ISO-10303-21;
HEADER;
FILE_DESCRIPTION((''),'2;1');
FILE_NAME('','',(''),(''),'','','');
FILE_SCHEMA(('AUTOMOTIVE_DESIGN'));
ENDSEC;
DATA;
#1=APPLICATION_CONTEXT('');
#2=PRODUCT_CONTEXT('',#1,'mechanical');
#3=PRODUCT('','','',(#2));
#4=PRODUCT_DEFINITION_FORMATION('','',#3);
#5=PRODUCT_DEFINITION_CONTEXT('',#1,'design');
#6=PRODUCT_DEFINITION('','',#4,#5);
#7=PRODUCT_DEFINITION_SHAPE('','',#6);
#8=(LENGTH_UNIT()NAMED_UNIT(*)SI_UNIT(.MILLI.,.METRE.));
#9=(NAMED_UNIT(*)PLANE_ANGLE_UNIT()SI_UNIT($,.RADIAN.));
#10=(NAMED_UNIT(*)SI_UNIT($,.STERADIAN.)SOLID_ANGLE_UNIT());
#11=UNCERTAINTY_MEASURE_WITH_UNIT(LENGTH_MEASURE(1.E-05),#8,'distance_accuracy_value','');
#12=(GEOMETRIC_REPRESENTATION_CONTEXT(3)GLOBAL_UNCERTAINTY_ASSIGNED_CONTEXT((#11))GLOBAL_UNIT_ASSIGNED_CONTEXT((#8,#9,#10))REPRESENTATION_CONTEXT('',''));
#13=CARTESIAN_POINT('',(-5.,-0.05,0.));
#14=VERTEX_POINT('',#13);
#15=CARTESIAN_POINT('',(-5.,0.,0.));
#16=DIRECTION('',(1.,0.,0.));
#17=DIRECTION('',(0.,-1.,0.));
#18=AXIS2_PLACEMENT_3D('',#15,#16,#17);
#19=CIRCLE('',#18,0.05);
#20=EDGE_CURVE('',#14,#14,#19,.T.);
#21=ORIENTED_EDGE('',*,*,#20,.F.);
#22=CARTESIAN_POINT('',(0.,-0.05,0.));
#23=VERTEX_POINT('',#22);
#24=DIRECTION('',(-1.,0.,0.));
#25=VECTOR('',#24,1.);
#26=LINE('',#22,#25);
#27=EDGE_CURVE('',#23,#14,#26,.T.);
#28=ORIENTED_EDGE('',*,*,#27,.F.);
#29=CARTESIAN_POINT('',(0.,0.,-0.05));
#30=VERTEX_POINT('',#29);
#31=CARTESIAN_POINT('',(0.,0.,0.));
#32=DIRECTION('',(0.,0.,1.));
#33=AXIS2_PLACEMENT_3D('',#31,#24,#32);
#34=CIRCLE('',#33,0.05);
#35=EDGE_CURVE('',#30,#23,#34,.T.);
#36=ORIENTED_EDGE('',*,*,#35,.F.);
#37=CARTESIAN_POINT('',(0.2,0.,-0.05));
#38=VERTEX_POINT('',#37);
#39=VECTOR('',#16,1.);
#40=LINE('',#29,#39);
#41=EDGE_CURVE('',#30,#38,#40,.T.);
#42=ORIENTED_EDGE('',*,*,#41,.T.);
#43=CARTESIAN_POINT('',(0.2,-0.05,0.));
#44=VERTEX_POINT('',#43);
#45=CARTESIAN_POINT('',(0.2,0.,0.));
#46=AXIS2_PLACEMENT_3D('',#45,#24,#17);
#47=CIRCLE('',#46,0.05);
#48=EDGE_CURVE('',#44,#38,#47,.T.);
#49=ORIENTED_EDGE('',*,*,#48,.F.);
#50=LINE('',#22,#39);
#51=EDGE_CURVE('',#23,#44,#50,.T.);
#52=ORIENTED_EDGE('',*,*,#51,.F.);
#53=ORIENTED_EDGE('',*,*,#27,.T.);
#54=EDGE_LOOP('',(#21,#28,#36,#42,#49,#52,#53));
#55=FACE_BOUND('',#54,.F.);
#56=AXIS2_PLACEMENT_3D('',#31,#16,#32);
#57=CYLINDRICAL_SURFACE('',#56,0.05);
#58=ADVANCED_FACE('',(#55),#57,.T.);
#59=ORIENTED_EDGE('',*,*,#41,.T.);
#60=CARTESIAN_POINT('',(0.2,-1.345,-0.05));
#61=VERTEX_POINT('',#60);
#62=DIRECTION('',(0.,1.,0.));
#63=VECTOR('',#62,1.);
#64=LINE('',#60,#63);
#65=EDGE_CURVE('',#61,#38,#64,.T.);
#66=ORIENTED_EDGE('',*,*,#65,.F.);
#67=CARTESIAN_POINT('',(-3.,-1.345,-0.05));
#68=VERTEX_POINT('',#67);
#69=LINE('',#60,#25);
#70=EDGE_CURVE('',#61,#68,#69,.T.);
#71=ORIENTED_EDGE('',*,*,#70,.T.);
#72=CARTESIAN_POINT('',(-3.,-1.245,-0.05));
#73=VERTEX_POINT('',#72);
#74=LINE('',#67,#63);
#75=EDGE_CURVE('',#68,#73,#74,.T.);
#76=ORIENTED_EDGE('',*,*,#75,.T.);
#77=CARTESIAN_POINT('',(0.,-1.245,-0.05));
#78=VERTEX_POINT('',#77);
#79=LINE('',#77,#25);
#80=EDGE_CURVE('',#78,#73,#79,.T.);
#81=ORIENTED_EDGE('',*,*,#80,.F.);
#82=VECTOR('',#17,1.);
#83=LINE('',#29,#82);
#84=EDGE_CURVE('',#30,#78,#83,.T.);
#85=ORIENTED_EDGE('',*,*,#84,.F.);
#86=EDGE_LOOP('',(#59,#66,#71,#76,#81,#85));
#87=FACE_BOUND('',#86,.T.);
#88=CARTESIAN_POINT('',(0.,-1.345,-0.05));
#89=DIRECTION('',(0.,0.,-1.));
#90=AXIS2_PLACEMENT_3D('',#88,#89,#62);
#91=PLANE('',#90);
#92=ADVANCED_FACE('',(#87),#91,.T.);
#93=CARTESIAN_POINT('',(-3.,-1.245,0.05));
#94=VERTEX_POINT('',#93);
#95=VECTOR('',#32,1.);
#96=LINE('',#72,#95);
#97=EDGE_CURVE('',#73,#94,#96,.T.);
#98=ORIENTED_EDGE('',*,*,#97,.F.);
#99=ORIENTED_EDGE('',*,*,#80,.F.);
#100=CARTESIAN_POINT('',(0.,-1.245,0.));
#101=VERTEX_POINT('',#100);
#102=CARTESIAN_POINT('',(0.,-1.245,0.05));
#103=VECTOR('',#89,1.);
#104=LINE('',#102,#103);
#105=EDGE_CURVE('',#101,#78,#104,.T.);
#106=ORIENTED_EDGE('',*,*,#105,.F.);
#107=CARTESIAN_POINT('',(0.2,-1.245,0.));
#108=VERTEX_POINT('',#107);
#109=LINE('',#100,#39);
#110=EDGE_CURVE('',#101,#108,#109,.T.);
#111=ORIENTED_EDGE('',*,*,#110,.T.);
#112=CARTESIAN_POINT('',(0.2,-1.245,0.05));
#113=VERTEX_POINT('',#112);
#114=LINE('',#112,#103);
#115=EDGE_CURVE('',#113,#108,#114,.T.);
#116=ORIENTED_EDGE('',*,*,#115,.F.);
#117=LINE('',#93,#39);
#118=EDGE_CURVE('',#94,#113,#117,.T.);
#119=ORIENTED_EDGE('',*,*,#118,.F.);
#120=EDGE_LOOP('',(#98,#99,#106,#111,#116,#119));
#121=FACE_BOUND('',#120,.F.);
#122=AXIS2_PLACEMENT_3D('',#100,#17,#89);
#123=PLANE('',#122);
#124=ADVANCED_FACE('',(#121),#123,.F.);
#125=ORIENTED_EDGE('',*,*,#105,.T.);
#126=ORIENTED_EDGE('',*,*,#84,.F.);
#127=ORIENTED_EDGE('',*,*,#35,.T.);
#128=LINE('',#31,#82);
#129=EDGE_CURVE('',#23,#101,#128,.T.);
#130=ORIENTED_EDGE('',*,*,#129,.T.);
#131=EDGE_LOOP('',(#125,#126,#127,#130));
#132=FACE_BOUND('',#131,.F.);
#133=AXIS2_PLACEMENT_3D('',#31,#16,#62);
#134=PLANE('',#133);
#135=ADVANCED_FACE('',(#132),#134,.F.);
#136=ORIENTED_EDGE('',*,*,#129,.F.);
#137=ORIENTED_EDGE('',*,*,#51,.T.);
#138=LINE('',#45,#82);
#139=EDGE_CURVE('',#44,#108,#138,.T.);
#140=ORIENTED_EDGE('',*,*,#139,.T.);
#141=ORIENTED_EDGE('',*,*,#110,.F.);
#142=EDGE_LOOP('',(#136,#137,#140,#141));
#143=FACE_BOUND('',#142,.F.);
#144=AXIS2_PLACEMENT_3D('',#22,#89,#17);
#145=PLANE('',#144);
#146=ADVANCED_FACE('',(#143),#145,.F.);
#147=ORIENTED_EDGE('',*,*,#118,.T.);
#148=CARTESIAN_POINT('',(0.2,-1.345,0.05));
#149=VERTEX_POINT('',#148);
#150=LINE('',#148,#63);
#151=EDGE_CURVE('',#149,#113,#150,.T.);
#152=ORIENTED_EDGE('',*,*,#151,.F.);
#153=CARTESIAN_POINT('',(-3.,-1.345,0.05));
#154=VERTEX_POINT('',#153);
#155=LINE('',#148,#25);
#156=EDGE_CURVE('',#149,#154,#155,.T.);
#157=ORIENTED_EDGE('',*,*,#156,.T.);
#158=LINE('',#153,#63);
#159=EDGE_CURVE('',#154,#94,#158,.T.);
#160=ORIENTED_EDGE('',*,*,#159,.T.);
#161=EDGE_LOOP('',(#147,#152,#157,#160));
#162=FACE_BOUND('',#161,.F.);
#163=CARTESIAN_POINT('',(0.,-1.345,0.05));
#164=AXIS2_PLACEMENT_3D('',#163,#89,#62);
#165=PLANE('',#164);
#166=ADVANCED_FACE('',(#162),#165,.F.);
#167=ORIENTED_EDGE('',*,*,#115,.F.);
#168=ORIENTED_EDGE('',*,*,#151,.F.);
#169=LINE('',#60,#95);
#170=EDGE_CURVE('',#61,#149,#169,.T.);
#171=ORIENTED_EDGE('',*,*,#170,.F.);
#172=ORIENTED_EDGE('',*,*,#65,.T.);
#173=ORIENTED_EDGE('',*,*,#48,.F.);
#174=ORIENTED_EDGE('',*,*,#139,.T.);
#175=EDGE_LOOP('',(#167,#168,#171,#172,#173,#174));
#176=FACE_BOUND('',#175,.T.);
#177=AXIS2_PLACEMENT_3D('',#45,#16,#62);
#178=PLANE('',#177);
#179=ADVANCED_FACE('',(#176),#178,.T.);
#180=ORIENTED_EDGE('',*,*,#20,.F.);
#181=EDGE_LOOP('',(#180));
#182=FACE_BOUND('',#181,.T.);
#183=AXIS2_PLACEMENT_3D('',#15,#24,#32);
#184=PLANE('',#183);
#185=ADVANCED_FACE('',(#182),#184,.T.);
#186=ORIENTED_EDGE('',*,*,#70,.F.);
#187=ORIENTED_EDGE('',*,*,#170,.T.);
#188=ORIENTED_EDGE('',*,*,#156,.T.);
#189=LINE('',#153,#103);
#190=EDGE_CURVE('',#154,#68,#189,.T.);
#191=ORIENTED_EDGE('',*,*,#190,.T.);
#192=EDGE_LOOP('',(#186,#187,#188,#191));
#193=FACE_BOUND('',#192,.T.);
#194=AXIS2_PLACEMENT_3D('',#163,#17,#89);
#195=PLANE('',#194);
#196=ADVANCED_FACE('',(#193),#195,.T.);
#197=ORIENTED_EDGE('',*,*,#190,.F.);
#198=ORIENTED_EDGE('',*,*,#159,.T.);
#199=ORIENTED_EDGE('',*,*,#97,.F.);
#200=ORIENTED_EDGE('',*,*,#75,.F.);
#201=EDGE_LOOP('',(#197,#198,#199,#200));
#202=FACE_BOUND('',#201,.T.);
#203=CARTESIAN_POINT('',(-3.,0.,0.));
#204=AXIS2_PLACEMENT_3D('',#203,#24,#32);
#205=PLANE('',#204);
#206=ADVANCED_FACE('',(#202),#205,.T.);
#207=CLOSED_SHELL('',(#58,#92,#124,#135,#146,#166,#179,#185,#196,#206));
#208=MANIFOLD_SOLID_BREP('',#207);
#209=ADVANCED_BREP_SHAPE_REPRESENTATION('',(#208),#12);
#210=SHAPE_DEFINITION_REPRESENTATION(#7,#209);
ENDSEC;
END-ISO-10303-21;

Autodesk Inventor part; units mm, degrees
ref_plane "YZ Plane" through (0, 0, 0) normal (1, 0, 0) x (0, 1, 0)
ref_plane "XZ Plane" through (0, 0, 0) normal (0, 1, 0) x (-1, 0, 0)
ref_plane "XY Plane" through (0, 0, 0) normal (0, 0, 1) x (1, 0, 0)
sketch "Sketch1" plane through (0, 0, 0) normal (1, 0, 0) x (0, 1, 0)
  circle A0 centre (0, 0) radius 0.05
  line L0 (0, 0) -> (-1.295, 0)
  line L1 (-1.345, 0.05) -> (-1.245, 0.05)
  line L2 (-1.245, 0.05) -> (-1.245, -0.05)
  line L3 (-1.245, -0.05) -> (-1.345, -0.05)
  line L4 (-1.345, -0.05) -> (-1.345, 0.05)
  line L5 (-1.345, 0.05) -> (-1.245, -0.05) construction
  line L6 (-1.245, 0.05) -> (-1.345, -0.05) construction
  line L7 (-1.245, -0.05) -> (0, -0.05)
  point P0 (-0.05, 0)
  point P1 (-1.245, 0)
  dimension "d0" = 0.1
  dimension "d1" = 1.295
  dimension "d2" = 0.1
  dimension "d3" = 0.1
extrude "Extrusion1" add sketch "Sketch1" along normal blind 0.2
sketch "Sketch2" plane through (0, 0, 0) normal (-1, 0, 0) x (0, 0, 1)
  arc A0 (0, -0.05) -> (-0.05, 0) centre (0, 0) ccw projected
  circle A1 centre (0, 0) radius 0.05
  point P0 (-0.05, 0)
  point P1 (0, -0.05)
  dimension "d6" = 0.1
extrude "Extrusion2" add sketch "Sketch2" along normal blind 5
sketch "Sketch3" plane through (0, 0, 0) normal (-1, 0, 0) x (0, 0, 1)
  line L0 (-0.05, -1.345) -> (-0.05, 0) projected
  line L1 (0.05, -1.345) -> (-0.05, -1.345) projected
  line L2 (-0.05, -1.345) -> (0.05, -1.345)
  line L3 (0, -1.245) -> (0.05, -1.245) projected
  line L4 (0.05, -1.345) -> (0.05, -1.245)
  line L5 (0.05, -1.245) -> (-0.05, -1.245)
  line L6 (-0.05, -1.245) -> (-0.05, -1.345)
  point P0 (0, 0)
extrude "Extrusion3" add sketch "Sketch3" along normal blind 3
properties part number "Bone20_19_Fix"
